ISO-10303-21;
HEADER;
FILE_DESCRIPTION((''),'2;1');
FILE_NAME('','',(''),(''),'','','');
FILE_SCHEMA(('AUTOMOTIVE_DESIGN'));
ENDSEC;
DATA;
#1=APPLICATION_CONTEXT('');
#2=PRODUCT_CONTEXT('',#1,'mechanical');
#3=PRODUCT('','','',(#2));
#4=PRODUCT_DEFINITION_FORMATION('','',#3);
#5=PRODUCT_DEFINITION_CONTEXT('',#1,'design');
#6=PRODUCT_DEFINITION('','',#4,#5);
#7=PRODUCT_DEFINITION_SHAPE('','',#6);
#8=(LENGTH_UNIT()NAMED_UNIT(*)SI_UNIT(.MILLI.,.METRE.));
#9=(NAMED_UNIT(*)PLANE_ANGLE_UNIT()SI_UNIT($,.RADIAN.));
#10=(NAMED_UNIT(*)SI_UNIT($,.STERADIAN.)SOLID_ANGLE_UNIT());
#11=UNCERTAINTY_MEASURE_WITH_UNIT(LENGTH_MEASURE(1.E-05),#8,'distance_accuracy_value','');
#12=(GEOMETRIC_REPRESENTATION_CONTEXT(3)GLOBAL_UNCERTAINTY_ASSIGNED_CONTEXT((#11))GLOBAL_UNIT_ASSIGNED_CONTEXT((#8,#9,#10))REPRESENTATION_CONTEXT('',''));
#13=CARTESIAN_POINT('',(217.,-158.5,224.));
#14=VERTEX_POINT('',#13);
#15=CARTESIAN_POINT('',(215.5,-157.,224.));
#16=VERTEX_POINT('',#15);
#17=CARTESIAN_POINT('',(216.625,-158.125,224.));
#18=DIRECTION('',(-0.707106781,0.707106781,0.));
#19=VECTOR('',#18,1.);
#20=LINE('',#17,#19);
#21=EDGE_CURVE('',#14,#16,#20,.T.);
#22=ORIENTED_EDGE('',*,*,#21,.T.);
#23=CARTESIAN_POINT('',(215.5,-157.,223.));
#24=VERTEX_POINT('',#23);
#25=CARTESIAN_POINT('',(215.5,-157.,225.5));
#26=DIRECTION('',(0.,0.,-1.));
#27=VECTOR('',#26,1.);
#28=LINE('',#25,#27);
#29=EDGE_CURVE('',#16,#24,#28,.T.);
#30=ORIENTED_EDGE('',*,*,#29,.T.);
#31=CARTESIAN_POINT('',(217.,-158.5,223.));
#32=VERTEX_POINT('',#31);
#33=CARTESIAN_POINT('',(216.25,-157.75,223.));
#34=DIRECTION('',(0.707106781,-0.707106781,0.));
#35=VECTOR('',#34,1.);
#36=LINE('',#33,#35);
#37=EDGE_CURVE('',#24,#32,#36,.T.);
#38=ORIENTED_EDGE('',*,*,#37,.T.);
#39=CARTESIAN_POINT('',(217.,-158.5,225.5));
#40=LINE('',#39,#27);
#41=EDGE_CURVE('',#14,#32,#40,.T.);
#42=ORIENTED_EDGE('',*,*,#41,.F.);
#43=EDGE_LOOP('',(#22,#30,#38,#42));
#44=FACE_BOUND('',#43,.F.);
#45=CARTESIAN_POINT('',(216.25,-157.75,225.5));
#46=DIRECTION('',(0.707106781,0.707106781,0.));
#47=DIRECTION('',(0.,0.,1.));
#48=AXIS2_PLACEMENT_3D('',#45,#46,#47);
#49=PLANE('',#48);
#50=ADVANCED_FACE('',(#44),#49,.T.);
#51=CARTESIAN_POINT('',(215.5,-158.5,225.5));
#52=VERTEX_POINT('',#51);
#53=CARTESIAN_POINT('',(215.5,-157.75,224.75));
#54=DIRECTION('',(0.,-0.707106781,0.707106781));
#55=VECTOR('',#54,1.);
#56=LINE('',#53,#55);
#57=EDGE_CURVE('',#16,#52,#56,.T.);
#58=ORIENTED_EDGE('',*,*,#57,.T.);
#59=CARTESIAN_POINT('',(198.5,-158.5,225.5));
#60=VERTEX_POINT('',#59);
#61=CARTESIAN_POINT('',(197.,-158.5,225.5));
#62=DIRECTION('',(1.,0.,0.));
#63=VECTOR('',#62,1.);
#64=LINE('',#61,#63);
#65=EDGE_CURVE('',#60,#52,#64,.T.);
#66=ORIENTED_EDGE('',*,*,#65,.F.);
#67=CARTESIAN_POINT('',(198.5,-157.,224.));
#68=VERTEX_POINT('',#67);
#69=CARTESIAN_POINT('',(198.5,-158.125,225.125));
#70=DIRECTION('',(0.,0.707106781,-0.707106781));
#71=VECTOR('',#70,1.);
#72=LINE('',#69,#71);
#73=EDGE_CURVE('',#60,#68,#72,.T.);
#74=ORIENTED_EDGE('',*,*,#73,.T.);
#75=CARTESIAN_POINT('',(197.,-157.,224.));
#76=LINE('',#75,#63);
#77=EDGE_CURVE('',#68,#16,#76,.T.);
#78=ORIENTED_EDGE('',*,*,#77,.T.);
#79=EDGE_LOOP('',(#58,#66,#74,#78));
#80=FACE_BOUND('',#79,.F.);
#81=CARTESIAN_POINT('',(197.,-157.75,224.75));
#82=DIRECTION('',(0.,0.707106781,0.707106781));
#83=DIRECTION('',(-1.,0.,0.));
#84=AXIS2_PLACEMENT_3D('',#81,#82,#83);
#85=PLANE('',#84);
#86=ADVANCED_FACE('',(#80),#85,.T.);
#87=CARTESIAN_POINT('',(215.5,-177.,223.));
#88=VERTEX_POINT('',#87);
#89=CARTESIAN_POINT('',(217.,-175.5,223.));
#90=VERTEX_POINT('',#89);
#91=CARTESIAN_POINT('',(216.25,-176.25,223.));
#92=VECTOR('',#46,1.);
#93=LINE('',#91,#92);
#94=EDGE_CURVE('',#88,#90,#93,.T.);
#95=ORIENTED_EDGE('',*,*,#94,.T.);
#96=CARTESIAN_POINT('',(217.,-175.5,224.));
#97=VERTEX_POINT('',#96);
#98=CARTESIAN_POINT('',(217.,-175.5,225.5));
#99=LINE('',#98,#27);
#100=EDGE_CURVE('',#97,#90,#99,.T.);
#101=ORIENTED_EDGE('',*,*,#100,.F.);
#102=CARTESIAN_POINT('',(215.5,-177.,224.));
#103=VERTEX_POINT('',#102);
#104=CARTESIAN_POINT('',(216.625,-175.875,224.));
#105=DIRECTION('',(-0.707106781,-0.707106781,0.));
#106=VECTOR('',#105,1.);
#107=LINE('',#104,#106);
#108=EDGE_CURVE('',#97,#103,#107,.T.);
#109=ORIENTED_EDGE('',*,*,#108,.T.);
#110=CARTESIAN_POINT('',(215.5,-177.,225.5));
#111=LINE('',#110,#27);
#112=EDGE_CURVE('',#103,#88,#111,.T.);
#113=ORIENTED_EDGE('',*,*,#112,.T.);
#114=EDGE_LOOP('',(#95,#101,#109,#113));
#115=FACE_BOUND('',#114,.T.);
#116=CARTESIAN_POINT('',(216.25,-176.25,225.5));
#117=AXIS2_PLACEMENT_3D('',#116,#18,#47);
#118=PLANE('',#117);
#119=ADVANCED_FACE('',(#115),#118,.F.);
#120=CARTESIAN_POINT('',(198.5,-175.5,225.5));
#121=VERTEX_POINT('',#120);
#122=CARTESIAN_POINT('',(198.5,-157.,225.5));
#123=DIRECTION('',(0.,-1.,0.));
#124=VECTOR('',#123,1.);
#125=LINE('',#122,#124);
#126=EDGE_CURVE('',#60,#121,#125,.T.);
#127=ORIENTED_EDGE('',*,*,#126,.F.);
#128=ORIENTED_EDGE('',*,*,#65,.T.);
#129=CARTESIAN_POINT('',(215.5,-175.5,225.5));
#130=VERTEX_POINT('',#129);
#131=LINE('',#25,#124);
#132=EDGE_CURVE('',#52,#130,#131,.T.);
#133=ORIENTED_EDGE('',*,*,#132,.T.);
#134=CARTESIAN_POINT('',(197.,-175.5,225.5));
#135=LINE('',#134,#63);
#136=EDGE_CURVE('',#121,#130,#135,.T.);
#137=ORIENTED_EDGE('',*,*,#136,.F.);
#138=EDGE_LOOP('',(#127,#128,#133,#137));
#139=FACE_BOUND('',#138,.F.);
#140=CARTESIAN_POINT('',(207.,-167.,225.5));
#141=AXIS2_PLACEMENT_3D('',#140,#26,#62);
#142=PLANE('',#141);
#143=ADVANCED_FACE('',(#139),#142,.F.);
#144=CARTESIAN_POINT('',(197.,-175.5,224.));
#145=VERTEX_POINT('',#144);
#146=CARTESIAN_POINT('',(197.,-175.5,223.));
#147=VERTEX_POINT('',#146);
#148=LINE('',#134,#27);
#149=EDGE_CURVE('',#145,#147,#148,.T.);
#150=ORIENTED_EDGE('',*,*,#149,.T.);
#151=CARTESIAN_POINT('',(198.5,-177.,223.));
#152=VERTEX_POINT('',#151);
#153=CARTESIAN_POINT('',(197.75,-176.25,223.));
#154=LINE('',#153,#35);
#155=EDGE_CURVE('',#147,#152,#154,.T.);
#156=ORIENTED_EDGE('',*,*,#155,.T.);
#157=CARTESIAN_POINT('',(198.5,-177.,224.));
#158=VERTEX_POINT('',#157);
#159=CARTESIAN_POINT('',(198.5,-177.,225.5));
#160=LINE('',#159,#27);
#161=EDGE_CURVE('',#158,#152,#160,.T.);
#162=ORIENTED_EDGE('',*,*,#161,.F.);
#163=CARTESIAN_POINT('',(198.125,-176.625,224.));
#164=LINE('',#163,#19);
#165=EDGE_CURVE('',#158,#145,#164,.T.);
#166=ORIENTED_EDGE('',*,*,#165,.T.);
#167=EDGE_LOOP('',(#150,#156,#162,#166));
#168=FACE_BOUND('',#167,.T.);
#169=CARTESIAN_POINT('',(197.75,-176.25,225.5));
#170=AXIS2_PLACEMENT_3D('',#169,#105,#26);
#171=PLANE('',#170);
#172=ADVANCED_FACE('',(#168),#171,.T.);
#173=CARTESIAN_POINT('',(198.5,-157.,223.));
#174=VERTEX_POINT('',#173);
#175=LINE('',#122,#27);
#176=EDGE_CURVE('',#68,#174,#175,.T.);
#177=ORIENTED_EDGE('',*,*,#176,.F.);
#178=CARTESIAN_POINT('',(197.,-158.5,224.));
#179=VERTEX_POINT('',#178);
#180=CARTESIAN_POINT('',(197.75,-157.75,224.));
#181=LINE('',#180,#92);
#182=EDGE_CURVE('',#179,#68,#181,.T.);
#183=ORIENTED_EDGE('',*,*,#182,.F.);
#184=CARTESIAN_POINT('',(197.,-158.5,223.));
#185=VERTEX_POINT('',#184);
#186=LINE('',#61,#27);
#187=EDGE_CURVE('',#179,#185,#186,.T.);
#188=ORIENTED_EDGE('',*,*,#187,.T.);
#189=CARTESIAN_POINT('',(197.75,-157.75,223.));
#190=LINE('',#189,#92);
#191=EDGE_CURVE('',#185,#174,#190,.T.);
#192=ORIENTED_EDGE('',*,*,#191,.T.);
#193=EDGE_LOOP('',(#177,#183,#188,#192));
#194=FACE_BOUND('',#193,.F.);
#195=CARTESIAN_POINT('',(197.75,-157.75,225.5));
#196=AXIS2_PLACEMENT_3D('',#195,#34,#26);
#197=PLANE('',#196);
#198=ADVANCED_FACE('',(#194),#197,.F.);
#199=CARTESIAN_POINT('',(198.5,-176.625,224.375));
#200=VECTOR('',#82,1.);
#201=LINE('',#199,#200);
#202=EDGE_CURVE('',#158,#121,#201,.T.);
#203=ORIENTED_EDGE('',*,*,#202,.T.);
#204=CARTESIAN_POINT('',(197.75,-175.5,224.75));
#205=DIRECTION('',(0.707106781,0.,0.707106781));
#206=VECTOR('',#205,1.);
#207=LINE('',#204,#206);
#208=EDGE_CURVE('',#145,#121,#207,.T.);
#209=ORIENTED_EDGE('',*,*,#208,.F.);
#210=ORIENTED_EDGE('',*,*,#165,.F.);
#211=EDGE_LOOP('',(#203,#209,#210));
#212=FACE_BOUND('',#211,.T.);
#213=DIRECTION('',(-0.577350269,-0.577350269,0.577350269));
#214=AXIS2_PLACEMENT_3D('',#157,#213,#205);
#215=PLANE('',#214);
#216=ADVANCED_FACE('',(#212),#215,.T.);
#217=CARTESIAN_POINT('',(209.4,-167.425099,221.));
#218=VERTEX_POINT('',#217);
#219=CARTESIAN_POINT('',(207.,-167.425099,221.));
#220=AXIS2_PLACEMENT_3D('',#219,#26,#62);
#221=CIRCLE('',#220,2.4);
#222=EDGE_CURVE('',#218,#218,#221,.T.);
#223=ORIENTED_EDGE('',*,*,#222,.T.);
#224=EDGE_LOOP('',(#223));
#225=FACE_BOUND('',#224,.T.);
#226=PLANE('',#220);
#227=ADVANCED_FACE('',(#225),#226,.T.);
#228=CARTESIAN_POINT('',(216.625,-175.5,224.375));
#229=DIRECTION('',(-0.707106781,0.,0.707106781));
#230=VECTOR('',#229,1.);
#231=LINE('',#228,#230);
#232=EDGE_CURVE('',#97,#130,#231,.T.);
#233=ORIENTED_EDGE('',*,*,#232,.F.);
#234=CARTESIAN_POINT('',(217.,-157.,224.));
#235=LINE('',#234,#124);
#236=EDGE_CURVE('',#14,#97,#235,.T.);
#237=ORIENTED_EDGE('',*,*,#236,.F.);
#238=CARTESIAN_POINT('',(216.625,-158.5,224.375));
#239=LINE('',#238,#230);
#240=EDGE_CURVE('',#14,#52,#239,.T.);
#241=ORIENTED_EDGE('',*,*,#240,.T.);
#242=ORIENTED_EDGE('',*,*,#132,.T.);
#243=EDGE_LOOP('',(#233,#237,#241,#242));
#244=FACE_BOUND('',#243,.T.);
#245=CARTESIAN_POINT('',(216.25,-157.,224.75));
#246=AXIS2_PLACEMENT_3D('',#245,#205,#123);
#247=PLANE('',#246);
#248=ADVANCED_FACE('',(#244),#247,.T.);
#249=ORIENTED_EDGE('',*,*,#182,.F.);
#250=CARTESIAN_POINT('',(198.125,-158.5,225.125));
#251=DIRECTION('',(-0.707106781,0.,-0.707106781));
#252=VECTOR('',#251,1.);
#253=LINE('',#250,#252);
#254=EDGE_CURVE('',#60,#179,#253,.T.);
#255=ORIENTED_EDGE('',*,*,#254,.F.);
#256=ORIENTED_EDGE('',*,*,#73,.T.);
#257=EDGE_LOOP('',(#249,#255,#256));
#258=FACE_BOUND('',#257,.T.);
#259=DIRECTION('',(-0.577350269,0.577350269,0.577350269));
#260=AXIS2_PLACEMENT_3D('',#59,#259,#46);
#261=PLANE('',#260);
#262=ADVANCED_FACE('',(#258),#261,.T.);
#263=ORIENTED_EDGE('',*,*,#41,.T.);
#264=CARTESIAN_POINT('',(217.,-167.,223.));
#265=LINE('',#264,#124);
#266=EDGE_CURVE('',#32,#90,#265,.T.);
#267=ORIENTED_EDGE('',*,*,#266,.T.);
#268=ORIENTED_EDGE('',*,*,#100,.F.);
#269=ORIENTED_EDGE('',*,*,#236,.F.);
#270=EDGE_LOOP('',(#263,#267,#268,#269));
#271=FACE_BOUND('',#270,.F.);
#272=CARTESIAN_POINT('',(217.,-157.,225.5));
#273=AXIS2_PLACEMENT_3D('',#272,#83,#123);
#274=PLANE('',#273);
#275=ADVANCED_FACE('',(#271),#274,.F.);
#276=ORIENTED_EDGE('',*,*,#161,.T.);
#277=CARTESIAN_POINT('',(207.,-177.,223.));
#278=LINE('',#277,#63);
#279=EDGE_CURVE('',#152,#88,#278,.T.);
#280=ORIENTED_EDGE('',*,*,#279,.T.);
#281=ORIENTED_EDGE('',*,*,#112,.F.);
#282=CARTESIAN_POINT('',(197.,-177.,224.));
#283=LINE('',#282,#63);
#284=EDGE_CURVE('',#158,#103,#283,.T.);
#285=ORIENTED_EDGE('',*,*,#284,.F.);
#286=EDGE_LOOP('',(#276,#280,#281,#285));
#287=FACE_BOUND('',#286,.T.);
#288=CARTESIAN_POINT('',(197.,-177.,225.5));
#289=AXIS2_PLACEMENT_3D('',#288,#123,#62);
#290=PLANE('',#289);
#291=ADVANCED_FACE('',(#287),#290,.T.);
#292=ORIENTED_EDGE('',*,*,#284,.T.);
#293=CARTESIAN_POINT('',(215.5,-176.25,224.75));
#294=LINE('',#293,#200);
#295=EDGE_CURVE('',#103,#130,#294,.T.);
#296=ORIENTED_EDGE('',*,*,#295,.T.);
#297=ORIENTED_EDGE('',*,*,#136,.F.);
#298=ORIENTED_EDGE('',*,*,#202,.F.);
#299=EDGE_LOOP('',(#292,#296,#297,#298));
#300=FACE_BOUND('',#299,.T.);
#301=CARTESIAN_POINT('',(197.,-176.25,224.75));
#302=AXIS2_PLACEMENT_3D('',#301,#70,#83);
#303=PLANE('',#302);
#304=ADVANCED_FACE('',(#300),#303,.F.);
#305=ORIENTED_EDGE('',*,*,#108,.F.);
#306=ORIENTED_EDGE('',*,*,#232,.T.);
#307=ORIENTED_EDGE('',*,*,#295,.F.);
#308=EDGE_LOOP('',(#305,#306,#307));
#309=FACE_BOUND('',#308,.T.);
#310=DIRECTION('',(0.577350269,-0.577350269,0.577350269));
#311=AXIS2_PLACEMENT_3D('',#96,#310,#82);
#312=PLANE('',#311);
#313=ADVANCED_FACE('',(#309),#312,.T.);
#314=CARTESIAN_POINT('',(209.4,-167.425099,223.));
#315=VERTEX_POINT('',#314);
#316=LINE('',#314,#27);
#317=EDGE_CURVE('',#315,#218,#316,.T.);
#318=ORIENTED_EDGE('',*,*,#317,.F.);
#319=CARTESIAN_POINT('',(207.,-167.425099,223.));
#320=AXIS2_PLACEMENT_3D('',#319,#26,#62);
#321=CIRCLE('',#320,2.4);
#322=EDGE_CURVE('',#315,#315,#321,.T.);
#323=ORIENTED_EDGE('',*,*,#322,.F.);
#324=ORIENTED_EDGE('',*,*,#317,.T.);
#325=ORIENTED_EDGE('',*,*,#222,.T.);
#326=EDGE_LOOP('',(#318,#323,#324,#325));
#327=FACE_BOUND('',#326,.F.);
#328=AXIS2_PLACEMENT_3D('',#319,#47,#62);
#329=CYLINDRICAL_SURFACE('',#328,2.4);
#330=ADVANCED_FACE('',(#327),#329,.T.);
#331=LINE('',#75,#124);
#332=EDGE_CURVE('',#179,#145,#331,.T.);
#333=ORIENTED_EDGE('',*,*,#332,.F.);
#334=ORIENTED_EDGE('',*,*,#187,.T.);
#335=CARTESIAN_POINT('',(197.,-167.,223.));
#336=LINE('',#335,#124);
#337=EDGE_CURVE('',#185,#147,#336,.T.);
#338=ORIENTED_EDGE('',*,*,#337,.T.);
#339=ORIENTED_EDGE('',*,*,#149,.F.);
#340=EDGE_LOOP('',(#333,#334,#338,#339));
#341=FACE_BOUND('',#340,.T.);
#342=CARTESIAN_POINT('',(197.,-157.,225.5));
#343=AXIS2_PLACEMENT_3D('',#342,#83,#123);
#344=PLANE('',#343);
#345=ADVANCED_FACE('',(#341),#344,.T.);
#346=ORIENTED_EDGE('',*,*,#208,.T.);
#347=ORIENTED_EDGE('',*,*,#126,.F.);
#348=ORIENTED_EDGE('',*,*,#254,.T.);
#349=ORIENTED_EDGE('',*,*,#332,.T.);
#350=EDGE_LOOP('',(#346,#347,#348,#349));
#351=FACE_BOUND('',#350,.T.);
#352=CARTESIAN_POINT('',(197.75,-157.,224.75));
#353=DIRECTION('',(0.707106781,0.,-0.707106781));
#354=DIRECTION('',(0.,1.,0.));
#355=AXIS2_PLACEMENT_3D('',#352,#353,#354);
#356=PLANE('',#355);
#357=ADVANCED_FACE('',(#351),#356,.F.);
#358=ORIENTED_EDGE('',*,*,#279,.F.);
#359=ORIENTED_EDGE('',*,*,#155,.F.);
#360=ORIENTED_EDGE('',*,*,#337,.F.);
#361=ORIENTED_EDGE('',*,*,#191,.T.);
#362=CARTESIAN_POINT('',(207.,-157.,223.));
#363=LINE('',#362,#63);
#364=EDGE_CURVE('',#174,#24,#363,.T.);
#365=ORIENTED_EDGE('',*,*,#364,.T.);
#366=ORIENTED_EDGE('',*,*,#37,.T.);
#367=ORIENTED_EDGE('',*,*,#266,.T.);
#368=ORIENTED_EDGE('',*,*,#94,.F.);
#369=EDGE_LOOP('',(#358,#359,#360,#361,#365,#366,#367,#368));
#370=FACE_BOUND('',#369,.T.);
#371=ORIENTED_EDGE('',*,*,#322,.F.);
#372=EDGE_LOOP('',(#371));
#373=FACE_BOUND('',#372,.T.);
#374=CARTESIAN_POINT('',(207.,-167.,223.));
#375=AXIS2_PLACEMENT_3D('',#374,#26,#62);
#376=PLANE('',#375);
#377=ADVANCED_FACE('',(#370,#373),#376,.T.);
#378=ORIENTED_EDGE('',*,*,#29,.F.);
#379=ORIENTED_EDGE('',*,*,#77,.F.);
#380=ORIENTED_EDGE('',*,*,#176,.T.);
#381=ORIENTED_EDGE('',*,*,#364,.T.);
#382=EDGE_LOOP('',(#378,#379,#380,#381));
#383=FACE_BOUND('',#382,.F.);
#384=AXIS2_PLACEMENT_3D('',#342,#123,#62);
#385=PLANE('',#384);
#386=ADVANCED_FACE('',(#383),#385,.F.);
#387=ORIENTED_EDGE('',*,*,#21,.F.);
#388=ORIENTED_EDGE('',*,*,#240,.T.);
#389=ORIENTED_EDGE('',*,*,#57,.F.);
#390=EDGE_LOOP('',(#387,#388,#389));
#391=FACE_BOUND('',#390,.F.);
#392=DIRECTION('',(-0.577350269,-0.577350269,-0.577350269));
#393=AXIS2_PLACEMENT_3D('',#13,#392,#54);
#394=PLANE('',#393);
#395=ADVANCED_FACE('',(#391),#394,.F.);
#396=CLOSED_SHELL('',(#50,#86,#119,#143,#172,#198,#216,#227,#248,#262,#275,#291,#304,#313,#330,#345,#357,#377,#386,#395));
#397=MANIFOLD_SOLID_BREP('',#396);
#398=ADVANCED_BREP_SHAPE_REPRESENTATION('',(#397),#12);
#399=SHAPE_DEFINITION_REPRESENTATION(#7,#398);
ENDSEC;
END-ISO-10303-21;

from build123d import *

# Parameters (mm, degrees)
BOX062_W                   = 20
BOX062_H                   = 20
BOX062_DEPTH               = 2.5
SKETCH050_R                = 2.4
PAD017_DEPTH               = 2
CHAMFER002_SIZE            = 1.5
CHAMFER002_PLACEMENT_ANGLE = 180


with BuildPart() as cubo045:
    # Box062 → Box062 (new body)
    with BuildSketch(Plane.XY):
        with Locations((10, 10)):
            Rectangle(BOX062_W, BOX062_H)
    extrude(amount=BOX062_DEPTH)


with BuildPart() as pad017:
    # Pad017 base: copy of Cubo045
    add(cubo045.part)

    # Sketch050 → Pad017 (new body)
    with BuildSketch(Plane.XY.offset(2.5)):
        with Locations((10, 10.425099)):
            Circle(SKETCH050_R)
    extrude(amount=PAD017_DEPTH)


with BuildPart() as chamfer002:
    # Fusion038 base: copy of Cubo045
    add(cubo045.part)

    # Fusion038: union Pad017
    add(pad017.part)

    # Chamfer002
    chamfer002_edges = [chamfer002.edges().sort_by_distance(p)[0] for p in [
        (0, 0, 1.25),
        (0, 10, 0),
        (0, 20, 1.25),
        (10, 0, 0),
        (20, 0, 1.25),
        (10, 20, 0),
        (20, 20, 1.25),
        (20, 10, 0),
    ]]
    chamfer(chamfer002_edges, length=CHAMFER002_SIZE)


with BuildPart() as chamfer002_1:
    # Chamfer002 placement: moved
    add(chamfer002.part.moved(Location((197, -157, 225.5))).rotate(Axis((197, -157, 225.5), (1, 0, 0)), CHAMFER002_PLACEMENT_ANGLE))


solid = chamfer002_1.part
